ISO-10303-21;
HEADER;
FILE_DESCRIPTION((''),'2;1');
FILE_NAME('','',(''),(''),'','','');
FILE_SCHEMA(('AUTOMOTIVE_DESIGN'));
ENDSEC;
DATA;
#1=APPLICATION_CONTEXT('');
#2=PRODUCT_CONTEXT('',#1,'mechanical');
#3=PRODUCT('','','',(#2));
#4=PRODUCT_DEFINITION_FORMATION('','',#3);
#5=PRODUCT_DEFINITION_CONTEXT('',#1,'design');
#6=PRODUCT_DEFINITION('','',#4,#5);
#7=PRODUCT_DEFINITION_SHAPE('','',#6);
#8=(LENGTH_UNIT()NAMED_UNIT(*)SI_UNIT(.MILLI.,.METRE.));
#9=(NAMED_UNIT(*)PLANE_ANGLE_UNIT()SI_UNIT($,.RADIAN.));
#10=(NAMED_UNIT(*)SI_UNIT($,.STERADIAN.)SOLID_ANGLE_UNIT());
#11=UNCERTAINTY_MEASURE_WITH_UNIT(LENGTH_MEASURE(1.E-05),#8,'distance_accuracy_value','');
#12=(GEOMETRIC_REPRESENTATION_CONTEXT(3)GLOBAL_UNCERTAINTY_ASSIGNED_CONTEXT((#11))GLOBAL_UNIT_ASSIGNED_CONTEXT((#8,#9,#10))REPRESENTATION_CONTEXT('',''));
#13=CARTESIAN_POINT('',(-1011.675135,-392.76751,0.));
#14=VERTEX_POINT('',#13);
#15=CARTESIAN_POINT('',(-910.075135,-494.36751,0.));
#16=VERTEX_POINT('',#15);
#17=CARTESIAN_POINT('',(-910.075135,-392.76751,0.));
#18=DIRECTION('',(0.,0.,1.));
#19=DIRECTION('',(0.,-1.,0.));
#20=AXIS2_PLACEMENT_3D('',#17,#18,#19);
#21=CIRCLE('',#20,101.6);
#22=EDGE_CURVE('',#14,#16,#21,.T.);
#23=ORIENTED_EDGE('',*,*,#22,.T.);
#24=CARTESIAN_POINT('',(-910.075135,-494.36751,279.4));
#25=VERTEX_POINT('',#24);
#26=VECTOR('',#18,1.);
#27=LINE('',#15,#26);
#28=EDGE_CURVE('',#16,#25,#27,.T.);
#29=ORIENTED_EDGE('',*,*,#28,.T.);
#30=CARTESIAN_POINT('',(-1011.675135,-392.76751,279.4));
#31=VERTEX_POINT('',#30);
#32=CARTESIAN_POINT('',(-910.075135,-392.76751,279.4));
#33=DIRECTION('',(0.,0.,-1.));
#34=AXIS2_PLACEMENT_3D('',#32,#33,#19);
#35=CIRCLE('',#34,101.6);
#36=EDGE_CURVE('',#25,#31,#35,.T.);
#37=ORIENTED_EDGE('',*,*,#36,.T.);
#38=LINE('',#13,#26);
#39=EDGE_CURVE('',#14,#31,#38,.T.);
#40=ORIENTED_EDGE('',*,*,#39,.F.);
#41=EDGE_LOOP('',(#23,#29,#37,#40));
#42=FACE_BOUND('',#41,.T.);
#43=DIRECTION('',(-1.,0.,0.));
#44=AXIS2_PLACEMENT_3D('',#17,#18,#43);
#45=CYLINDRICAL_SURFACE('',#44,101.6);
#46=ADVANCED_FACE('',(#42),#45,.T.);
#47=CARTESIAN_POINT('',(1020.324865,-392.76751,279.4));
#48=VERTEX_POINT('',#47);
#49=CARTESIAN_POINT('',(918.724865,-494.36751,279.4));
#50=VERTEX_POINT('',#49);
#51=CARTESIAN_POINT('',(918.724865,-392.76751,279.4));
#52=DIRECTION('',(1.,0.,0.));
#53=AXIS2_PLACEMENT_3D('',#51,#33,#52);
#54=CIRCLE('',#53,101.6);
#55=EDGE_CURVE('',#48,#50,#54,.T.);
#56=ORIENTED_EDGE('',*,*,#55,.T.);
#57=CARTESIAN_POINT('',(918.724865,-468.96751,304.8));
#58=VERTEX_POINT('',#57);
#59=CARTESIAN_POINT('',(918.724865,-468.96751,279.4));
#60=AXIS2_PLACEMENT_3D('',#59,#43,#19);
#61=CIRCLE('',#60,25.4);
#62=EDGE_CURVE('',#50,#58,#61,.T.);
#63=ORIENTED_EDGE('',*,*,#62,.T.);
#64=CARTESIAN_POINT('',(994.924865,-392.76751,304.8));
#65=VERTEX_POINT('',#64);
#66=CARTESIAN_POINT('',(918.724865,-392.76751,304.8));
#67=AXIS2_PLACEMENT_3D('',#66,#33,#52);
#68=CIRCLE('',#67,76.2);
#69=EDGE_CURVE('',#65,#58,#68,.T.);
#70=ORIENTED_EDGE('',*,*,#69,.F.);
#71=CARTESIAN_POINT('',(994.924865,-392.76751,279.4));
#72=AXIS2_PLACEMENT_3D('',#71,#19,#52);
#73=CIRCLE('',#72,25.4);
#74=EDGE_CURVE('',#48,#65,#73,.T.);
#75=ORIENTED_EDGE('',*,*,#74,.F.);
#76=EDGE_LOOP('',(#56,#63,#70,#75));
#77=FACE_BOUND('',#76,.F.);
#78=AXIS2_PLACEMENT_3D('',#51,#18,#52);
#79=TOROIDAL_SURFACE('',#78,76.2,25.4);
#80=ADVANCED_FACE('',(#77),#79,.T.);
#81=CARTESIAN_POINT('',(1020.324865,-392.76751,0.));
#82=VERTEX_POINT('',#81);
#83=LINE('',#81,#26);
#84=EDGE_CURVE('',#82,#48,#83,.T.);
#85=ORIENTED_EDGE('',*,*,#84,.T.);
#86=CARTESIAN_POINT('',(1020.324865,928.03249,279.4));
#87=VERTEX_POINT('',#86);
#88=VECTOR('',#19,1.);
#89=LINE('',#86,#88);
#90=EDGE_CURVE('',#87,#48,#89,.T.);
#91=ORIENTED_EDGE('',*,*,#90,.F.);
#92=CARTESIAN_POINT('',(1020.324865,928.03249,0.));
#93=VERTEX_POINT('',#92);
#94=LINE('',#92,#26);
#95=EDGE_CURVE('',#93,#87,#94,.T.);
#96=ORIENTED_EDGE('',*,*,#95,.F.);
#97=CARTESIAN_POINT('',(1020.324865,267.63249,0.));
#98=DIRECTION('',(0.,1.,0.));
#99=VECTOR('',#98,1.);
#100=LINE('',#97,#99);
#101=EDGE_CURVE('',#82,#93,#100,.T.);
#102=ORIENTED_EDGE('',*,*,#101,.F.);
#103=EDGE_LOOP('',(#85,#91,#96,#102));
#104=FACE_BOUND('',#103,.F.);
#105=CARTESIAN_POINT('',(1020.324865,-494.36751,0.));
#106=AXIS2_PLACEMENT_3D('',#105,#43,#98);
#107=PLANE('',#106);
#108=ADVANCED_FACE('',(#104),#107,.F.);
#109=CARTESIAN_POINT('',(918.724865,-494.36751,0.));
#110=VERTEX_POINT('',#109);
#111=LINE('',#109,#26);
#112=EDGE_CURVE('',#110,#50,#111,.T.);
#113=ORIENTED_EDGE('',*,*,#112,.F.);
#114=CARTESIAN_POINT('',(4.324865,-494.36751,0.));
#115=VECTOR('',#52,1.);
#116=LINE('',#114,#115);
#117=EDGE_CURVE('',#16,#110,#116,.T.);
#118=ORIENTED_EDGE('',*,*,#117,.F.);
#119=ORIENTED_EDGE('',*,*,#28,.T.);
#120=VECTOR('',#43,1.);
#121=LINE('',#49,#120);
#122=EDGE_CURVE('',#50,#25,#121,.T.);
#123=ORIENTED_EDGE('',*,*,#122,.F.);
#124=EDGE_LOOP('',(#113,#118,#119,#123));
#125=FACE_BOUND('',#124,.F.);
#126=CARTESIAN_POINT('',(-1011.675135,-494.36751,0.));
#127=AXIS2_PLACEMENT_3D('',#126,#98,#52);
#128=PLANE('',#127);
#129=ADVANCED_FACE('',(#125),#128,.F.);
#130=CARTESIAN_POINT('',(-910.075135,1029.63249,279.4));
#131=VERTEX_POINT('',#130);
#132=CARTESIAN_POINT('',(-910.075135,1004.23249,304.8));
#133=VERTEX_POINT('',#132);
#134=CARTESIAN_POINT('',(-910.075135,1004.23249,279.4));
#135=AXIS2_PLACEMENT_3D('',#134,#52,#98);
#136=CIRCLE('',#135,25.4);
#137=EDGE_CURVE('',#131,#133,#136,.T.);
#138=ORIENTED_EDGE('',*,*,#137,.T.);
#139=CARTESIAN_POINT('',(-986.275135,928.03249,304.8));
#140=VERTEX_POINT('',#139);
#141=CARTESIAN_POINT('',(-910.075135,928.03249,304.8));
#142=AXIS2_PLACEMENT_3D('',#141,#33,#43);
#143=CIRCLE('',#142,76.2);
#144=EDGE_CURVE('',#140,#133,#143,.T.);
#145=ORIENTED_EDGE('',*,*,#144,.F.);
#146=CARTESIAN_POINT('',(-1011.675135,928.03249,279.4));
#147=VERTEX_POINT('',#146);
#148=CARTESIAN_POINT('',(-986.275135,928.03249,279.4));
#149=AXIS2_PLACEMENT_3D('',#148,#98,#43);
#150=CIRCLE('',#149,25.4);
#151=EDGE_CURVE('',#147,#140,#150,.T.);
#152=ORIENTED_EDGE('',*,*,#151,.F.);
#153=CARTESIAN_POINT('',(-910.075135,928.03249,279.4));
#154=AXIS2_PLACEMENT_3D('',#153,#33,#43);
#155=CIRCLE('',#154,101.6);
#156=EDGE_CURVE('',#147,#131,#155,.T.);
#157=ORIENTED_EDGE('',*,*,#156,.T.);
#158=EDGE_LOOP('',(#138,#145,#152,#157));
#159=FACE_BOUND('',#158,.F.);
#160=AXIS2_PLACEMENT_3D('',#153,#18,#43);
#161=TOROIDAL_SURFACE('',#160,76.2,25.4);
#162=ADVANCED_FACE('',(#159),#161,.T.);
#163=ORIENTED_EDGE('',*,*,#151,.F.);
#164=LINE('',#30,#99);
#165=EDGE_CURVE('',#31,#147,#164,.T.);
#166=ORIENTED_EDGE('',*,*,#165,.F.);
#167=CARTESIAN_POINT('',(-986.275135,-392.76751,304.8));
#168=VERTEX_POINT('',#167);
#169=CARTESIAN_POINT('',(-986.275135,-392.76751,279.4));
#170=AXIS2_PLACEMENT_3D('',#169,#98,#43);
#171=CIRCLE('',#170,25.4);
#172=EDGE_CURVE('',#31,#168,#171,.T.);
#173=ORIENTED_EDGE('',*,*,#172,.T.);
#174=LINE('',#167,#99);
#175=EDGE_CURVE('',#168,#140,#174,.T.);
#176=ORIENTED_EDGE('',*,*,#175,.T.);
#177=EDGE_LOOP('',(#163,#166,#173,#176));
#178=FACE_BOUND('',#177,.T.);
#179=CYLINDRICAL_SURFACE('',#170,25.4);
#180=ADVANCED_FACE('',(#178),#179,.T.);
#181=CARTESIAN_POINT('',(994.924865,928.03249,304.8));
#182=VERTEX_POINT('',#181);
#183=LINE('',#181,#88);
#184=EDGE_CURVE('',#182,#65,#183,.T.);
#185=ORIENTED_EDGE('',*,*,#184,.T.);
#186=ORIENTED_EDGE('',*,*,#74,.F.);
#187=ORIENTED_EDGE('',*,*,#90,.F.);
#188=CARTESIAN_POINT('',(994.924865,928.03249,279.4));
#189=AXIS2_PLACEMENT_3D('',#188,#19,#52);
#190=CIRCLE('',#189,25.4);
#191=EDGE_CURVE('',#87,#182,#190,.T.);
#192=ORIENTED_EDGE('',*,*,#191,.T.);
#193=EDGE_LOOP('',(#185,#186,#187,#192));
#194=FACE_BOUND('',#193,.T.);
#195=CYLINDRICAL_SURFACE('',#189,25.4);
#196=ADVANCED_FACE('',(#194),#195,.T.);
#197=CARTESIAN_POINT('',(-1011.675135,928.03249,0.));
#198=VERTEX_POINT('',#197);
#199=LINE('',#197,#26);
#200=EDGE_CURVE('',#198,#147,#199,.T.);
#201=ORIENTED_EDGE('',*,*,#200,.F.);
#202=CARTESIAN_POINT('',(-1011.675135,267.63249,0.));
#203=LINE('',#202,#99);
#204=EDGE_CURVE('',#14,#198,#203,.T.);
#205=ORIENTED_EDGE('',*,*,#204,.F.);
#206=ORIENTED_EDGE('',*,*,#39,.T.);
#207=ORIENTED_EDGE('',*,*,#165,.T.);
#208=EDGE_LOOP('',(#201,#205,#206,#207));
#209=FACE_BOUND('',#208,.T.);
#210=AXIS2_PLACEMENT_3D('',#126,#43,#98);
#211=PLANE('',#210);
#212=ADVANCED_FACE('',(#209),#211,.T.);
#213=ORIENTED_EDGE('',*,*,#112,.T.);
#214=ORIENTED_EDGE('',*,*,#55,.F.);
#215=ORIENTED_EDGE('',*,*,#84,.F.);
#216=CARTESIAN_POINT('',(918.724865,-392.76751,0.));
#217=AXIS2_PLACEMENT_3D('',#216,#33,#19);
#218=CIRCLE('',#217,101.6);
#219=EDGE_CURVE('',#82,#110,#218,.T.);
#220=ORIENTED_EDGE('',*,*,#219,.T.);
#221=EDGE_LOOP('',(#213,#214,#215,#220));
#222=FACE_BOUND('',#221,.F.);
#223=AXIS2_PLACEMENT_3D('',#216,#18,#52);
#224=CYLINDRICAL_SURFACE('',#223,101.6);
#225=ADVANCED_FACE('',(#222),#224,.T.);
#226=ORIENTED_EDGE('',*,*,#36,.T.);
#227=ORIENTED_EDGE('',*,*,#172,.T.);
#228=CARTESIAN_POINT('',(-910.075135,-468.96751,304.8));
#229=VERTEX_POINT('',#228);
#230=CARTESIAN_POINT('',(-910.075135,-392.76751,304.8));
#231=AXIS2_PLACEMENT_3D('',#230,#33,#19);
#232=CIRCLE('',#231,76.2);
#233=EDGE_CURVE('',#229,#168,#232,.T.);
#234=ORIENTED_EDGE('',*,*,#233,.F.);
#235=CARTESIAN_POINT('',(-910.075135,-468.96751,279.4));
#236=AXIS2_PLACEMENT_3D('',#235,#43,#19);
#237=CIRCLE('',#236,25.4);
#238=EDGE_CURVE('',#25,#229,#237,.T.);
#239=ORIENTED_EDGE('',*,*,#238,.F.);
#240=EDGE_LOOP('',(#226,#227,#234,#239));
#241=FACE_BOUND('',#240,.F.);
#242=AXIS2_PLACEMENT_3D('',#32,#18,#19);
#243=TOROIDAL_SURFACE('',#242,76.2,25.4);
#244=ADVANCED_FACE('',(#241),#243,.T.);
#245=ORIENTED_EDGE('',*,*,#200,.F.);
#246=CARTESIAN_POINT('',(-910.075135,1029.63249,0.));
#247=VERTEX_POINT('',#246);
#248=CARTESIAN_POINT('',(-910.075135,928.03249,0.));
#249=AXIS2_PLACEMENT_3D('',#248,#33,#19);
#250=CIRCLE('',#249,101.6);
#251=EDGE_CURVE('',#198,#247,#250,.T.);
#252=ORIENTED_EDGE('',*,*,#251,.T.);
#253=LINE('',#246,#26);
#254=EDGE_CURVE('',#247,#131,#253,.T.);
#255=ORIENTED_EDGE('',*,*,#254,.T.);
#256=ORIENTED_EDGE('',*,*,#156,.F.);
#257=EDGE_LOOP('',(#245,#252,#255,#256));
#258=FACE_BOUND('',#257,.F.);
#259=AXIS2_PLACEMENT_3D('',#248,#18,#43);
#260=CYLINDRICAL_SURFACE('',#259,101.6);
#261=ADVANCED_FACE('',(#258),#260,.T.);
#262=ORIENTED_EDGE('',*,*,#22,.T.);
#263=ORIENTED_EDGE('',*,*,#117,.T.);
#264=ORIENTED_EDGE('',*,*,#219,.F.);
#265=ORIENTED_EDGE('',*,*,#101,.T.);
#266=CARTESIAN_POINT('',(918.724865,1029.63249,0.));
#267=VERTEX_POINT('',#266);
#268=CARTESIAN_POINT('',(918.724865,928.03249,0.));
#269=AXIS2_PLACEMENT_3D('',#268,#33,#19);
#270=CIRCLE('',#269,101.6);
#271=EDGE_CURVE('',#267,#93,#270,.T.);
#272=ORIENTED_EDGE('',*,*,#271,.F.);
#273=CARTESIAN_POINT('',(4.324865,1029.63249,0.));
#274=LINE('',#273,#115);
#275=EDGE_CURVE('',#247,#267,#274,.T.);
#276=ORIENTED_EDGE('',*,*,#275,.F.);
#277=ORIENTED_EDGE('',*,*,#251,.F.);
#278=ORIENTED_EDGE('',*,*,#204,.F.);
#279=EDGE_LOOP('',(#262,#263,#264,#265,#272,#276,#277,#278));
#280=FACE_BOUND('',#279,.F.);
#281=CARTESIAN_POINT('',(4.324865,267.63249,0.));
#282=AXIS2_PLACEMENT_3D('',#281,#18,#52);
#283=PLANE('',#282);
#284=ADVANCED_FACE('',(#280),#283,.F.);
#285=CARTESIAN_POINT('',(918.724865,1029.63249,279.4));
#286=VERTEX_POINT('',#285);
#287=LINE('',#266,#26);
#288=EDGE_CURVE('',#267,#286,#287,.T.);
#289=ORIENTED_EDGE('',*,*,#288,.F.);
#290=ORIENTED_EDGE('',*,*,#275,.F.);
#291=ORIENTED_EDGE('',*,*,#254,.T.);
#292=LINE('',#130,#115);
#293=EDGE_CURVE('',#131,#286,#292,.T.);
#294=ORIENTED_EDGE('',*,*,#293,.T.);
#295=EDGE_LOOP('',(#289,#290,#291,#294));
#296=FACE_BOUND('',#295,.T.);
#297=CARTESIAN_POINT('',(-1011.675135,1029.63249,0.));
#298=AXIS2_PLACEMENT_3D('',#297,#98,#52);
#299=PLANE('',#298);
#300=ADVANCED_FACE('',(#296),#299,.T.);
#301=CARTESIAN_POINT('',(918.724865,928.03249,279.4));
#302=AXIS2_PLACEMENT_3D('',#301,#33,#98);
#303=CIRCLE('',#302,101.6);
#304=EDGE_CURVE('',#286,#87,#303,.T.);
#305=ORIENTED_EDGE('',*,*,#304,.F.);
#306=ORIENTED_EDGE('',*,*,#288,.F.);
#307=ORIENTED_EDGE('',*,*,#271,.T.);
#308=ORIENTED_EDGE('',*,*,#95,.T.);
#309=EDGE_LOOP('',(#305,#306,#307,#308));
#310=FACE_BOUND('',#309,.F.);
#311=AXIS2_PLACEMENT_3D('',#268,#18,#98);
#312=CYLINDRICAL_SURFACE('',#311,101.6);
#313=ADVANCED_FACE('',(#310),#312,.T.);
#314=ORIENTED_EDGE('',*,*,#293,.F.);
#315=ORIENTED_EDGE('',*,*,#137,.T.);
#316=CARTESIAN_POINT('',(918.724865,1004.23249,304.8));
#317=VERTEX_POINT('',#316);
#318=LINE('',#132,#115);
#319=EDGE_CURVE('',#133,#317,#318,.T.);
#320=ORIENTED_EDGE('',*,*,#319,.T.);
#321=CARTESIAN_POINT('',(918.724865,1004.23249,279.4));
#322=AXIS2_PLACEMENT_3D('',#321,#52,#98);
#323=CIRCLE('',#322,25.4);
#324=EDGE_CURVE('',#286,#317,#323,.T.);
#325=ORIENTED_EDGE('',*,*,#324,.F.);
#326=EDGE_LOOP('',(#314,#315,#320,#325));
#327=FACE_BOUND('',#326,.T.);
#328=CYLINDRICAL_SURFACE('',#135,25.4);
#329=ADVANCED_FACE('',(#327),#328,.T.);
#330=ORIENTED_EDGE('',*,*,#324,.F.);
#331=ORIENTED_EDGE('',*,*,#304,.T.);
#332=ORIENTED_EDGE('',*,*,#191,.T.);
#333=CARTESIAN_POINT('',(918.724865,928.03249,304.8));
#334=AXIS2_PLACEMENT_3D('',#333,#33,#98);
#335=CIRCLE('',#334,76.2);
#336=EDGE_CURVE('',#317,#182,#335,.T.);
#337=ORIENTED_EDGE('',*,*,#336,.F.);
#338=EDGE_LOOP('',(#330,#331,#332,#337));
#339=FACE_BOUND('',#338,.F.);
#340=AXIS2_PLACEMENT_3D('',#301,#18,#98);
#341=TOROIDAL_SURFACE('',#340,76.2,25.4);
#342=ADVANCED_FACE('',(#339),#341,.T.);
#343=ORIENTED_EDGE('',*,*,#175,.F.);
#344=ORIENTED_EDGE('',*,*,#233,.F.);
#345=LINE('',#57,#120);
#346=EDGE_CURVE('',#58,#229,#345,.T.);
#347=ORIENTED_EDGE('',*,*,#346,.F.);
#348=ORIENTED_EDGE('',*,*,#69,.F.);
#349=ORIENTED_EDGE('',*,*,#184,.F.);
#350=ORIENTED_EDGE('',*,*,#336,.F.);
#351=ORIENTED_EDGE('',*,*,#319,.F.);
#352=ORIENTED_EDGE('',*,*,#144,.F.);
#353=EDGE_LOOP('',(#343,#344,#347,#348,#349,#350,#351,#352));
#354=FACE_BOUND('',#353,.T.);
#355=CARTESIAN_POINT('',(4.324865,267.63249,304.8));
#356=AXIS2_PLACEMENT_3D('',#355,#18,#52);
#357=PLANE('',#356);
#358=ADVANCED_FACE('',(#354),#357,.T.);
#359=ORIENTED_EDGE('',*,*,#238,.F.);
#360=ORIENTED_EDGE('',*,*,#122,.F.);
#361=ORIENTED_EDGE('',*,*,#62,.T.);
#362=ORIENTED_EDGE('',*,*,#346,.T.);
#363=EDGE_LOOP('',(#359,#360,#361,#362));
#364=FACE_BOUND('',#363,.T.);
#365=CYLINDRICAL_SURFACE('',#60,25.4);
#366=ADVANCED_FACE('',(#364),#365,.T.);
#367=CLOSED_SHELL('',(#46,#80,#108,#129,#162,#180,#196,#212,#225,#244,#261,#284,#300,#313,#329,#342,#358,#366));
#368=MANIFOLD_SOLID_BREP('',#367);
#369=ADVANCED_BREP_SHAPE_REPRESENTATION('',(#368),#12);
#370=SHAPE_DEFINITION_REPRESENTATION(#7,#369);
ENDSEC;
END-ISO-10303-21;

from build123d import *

# Parameters (mm, degrees)
F0_W     = 2032
F0_H     = 1524
F1_DEPTH = 304.8
F2_R     = 101.6
F3_R     = 101.6
F4_R     = 101.6
F5_R     = 101.6
F6_R     = 25.4


with BuildPart() as f1:
    # F0 (on Top) → F1 (new body)
    with BuildSketch(Plane.XY):
        with Locations((4.324865, 267.63249)):
            Rectangle(F0_W, F0_H)
    extrude(amount=F1_DEPTH)

    # F2
    f2_edges = [f1.edges().sort_by_distance(p)[0] for p in [
        (-1011.675135, -494.36751, 152.4),
    ]]
    fillet(f2_edges, radius=F2_R)

    # F3
    f3_edges = [f1.edges().sort_by_distance(p)[0] for p in [
        (-1011.675135, 1029.63249, 152.4),
    ]]
    fillet(f3_edges, radius=F3_R)

    # F4
    f4_edges = [f1.edges().sort_by_distance(p)[0] for p in [
        (1020.324865, 1029.63249, 152.4),
    ]]
    fillet(f4_edges, radius=F4_R)

    # F5
    f5_edges = [f1.edges().sort_by_distance(p)[0] for p in [
        (1020.324865, -494.36751, 152.4),
    ]]
    fillet(f5_edges, radius=F5_R)

    # F6
    f6_edges = [f1.edges().sort_by_distance(p)[0] for p in [
        (-1011.675135, 267.63249, 304.8),
        (4.324865, 1029.63249, 304.8),
        (4.324865, -494.36751, 304.8),
        (1020.324865, 267.63249, 304.8),
    ]]
    fillet(f6_edges, radius=F6_R)


solid = f1.part
